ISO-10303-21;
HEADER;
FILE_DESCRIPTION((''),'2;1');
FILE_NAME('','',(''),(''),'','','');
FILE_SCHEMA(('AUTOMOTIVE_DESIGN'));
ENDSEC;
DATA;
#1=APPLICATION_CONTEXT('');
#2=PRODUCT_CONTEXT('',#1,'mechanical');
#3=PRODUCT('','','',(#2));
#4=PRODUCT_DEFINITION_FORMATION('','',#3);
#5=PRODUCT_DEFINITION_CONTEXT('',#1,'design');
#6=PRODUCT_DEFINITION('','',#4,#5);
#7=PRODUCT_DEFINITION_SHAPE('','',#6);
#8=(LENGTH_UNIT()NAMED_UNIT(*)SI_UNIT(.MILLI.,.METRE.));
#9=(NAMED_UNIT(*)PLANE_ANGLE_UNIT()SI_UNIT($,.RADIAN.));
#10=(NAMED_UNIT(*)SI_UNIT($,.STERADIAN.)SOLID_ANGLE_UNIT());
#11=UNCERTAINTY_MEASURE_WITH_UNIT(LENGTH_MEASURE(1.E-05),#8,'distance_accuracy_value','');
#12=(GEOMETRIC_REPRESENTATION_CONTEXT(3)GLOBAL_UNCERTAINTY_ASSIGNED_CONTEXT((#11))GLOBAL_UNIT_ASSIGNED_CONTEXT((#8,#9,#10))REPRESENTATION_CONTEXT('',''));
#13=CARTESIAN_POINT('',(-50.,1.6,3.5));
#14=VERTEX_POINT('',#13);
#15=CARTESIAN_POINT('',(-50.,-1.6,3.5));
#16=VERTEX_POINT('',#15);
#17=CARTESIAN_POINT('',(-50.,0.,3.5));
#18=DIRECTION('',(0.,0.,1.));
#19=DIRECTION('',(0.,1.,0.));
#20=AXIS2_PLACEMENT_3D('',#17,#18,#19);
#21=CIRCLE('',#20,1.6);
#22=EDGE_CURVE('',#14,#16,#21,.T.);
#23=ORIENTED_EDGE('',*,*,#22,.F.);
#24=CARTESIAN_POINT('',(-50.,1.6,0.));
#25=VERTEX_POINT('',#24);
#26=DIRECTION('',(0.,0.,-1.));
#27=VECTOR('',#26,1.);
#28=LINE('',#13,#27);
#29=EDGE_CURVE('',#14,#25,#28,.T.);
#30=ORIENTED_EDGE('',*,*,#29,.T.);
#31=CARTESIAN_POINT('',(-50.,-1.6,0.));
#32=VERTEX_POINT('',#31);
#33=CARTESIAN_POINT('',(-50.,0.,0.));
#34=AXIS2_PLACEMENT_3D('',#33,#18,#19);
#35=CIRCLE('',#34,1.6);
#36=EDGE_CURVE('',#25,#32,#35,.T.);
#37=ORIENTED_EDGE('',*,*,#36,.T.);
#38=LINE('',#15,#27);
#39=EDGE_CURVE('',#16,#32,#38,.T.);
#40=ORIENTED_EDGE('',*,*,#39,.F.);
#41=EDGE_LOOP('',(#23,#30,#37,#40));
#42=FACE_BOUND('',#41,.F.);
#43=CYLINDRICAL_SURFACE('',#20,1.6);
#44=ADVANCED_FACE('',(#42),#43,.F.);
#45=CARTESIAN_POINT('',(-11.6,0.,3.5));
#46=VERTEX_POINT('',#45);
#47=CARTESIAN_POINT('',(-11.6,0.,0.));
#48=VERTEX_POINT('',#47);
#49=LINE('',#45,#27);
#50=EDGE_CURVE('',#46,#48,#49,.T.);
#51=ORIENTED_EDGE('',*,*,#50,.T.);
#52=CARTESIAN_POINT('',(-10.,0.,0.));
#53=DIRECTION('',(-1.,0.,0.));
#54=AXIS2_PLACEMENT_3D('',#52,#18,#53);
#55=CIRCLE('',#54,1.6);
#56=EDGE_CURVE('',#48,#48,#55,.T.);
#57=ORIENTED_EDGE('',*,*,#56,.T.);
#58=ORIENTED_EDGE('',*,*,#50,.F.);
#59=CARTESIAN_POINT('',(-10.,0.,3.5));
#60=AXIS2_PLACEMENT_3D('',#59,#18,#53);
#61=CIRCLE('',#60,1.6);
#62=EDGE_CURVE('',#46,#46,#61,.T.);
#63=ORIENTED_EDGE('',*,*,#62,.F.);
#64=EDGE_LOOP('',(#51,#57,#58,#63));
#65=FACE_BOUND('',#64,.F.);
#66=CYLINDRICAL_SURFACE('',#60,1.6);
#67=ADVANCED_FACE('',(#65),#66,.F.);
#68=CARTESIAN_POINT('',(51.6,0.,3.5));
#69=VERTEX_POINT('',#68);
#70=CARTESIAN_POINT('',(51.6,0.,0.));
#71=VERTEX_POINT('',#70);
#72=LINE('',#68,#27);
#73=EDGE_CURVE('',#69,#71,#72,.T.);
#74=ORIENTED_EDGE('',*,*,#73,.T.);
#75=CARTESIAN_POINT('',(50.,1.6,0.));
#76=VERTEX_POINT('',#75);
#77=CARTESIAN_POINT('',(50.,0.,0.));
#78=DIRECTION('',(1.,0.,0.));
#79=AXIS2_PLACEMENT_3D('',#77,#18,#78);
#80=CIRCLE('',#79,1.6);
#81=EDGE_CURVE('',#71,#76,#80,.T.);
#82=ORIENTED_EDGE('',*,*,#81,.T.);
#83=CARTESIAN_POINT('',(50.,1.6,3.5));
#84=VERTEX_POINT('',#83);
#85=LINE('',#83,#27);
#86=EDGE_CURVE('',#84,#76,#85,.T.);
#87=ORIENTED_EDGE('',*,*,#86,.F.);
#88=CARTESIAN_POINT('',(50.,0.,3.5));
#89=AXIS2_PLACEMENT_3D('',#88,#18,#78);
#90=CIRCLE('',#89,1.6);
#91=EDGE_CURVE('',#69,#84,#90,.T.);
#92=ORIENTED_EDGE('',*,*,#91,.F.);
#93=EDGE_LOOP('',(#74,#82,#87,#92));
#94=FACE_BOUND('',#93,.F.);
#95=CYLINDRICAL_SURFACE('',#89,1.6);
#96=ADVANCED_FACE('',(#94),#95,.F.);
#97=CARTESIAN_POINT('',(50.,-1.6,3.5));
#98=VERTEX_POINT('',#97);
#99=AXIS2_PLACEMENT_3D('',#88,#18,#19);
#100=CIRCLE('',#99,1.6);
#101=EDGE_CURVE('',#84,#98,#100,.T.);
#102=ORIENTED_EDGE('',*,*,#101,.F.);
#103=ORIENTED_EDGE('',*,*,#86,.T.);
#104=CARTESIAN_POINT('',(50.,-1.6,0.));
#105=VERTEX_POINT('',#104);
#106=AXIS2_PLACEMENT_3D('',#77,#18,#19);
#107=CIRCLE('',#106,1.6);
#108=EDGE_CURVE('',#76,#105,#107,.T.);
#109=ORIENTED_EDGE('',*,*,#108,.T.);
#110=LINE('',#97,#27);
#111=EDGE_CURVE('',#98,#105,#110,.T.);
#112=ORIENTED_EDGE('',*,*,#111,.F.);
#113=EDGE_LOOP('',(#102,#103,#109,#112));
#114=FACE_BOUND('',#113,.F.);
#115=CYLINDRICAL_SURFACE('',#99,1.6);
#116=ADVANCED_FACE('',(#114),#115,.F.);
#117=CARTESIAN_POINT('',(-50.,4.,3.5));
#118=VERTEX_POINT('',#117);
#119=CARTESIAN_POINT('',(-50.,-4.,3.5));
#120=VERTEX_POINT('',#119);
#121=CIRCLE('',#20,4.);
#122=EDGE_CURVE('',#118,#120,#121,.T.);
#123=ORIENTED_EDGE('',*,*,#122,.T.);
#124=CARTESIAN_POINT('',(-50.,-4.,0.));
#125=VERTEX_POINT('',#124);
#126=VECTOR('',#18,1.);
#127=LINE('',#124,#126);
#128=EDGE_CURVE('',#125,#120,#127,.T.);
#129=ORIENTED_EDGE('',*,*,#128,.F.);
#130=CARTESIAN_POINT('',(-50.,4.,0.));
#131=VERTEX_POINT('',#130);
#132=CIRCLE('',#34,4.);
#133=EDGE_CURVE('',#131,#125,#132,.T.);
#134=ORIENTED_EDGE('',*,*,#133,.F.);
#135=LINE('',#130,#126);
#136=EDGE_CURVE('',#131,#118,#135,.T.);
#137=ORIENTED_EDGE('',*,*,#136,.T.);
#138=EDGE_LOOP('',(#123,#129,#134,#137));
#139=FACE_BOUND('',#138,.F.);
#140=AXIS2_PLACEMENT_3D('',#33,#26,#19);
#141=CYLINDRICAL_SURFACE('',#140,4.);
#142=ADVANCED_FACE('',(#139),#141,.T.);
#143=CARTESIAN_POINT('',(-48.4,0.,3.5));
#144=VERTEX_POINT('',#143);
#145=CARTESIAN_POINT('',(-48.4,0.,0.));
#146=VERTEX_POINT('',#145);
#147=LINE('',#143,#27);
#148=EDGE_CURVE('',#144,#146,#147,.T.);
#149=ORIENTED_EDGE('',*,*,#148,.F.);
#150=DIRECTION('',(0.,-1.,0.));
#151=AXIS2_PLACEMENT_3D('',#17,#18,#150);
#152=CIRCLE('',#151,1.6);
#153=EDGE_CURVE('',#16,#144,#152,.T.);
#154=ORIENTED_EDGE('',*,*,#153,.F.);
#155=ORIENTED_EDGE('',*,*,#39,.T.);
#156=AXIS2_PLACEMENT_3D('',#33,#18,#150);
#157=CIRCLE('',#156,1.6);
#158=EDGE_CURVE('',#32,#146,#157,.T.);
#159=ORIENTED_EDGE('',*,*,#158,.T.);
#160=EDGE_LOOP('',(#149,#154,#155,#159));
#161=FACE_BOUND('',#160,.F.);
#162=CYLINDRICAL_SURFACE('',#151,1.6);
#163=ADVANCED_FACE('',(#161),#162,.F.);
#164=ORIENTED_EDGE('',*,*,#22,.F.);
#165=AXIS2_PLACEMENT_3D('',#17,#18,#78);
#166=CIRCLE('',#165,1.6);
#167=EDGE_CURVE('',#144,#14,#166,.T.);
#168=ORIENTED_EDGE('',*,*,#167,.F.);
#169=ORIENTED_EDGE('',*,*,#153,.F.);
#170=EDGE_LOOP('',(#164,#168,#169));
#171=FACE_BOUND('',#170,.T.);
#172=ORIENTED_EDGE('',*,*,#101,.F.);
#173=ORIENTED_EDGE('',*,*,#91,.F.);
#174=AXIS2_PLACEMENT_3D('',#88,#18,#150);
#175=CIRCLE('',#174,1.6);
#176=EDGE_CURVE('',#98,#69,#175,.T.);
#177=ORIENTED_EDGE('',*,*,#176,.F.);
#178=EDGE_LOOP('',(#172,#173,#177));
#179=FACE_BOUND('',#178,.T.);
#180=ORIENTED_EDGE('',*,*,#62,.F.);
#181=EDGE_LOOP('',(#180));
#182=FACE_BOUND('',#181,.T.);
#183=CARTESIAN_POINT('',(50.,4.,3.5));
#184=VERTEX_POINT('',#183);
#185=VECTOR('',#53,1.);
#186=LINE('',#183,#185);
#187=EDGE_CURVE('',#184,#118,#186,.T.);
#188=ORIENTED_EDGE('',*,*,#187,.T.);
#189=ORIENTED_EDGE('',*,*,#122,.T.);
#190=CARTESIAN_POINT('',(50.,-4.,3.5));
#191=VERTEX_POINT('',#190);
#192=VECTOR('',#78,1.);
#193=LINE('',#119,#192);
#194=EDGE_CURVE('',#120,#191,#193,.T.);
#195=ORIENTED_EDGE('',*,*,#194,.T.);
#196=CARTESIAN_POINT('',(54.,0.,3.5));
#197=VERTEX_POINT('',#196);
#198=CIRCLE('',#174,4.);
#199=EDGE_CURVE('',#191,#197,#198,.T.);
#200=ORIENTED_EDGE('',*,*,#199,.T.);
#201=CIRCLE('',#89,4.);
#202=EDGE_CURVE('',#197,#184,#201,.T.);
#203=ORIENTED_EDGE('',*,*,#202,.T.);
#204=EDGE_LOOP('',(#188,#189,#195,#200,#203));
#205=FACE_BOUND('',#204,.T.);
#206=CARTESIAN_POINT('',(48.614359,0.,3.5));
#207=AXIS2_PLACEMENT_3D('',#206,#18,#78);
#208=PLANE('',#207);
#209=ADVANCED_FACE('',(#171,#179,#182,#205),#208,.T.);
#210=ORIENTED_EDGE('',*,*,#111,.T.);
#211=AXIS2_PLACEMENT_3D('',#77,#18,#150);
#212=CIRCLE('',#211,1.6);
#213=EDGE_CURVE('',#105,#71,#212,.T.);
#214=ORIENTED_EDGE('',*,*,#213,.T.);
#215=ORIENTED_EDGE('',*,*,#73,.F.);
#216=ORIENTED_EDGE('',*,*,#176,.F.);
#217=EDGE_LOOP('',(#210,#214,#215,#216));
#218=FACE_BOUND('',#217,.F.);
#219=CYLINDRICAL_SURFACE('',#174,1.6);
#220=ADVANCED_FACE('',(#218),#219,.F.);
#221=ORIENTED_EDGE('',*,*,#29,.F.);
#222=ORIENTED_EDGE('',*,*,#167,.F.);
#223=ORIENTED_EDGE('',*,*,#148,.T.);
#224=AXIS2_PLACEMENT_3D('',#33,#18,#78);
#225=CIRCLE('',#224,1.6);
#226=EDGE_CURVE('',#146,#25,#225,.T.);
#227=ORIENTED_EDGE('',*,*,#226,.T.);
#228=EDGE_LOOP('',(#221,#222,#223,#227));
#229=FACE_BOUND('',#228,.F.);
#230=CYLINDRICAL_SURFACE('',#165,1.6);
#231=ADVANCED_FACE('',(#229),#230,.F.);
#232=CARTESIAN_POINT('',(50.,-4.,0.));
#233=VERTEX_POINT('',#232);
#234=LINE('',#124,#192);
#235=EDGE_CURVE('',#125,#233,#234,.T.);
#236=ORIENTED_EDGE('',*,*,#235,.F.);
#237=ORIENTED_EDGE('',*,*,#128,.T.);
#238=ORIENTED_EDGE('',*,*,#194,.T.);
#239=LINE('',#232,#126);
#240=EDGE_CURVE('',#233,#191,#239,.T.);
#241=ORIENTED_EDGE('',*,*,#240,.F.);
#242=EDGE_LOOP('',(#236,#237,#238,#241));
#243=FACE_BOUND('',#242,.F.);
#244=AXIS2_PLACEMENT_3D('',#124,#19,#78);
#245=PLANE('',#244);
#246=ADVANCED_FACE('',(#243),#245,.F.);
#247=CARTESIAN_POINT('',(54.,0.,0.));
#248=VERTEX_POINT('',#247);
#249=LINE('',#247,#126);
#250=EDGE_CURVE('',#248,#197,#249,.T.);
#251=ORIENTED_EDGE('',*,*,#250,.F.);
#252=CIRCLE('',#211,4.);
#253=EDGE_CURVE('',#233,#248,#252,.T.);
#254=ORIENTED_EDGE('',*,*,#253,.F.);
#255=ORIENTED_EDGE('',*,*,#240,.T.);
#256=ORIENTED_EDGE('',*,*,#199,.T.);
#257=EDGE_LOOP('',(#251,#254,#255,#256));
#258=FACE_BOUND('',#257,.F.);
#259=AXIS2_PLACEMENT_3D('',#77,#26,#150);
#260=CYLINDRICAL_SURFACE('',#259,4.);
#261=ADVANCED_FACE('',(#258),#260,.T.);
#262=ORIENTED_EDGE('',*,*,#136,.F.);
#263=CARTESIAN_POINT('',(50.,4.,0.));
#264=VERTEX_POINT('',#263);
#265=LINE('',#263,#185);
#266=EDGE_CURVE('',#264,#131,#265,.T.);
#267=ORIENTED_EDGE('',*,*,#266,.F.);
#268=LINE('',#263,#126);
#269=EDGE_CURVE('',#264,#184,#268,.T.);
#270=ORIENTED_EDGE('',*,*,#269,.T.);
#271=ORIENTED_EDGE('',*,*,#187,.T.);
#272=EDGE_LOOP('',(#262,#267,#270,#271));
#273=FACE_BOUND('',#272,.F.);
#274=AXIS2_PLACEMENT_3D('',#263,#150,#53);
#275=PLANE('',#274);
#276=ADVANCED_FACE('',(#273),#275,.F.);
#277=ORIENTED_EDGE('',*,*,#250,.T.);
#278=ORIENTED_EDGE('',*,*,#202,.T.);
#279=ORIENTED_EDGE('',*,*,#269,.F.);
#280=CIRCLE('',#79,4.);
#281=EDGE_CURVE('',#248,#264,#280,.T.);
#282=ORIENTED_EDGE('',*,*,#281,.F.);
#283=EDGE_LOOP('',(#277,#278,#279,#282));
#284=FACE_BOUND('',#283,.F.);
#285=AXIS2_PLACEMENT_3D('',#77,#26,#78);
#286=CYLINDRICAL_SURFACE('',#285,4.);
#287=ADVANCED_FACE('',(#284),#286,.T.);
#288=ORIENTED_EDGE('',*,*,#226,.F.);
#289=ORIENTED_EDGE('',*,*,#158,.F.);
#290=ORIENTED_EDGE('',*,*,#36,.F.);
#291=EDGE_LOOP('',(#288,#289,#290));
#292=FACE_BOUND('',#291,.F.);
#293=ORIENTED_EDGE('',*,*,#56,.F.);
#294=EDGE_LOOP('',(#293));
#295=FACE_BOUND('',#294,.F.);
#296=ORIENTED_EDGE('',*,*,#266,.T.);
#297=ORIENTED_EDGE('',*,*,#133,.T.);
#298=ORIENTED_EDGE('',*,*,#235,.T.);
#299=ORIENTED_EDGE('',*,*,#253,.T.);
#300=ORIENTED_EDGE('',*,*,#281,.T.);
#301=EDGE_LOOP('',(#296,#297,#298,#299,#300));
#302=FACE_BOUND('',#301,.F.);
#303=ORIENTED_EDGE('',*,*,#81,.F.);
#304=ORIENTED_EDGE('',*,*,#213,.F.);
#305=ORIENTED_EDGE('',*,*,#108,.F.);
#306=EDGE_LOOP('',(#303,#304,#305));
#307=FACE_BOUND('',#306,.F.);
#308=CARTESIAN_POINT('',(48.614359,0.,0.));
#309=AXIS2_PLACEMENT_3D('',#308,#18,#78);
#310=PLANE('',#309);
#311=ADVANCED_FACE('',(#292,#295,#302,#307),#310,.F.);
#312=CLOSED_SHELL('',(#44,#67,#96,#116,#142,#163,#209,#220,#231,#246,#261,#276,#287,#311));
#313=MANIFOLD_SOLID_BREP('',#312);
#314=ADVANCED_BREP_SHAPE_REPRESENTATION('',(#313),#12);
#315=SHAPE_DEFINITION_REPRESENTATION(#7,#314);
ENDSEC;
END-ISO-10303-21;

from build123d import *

# Parameters (mm, degrees)
F1_DEPTH = 3.5
F3_DEPTH = 3.501


with BuildPart() as f1:
    # F0 (on Top) → F1 (new body)
    with BuildSketch(Plane.XY):
        with BuildLine():
            ThreePointArc((50, 4), (46, 0), (50, -4))
            Line((50, -4), (50, 4))
        make_face()
        with BuildLine():
            Line((-50, -4), (50, -4))
            ThreePointArc((50, -4), (46, 0), (50, 4))
            Line((50, 4), (-50, 4))
            ThreePointArc((-50, 4), (-47.1715728753, 2.8284271247), (-46, 0))
            ThreePointArc((-46, 0), (-47.1715728753, -2.8284271247), (-50, -4))
        make_face()
        with BuildLine():
            Line((50, 4), (50, -4))
            ThreePointArc((50, -4), (52.8284271247, -2.8284271247), (54, 0))
            ThreePointArc((54, 0), (52.8284271247, 2.8284271247), (50, 4))
        make_face()
        with BuildLine():
            ThreePointArc((-50, 4), (-54, 0), (-50, -4))
            Line((-50, -4), (-50, 4))
        make_face()
        with BuildLine():
            Line((-50, 4), (-50, -4))
            ThreePointArc((-50, -4), (-47.1715728753, -2.8284271247), (-46, 0))
            ThreePointArc((-46, 0), (-47.1715728753, 2.8284271247), (-50, 4))
        make_face()
    extrude(amount=F1_DEPTH)

    # F2 (on face) → F3 (cut, through all)
    with BuildSketch(Plane.XY.offset(3.5)):
        with BuildLine():
            ThreePointArc((-48.4, 0), (-48.8686291501, 1.1313708499), (-50, 1.6))
            Line((-50, 1.6), (-50, 0))
            Line((-50, 0), (-48.4, 0))
        make_face()
        with BuildLine():
            Line((-50, 0), (-50, 1.6))
            ThreePointArc((-50, 1.6), (-51.6, 0), (-50, -1.6))
            Line((-50, -1.6), (-50, 0))
        make_face()
        with BuildLine():
            ThreePointArc((-8.4, 0), (-10, 1.6), (-11.6, 0))
            ThreePointArc((-11.6, 0), (-10, -1.6), (-8.4, 0))
        make_face()
        with BuildLine():
            Line((50, -1.6), (50, 1.6))
            ThreePointArc((50, 1.6), (48.4, 0), (50, -1.6))
        make_face()
        with BuildLine():
            ThreePointArc((51.6, 0), (51.1313708499, 1.1313708499), (50, 1.6))
            Line((50, 1.6), (50, -1.6))
            ThreePointArc((50, -1.6), (51.1313708499, -1.1313708499), (51.6, 0))
        make_face()
        with BuildLine():
            Line((-48.4, 0), (-50, 0))
            Line((-50, 0), (-50, -1.6))
            ThreePointArc((-50, -1.6), (-48.8686291501, -1.1313708499), (-48.4, 0))
        make_face()
    extrude(amount=-F3_DEPTH, mode=Mode.SUBTRACT)


solid = f1.part
